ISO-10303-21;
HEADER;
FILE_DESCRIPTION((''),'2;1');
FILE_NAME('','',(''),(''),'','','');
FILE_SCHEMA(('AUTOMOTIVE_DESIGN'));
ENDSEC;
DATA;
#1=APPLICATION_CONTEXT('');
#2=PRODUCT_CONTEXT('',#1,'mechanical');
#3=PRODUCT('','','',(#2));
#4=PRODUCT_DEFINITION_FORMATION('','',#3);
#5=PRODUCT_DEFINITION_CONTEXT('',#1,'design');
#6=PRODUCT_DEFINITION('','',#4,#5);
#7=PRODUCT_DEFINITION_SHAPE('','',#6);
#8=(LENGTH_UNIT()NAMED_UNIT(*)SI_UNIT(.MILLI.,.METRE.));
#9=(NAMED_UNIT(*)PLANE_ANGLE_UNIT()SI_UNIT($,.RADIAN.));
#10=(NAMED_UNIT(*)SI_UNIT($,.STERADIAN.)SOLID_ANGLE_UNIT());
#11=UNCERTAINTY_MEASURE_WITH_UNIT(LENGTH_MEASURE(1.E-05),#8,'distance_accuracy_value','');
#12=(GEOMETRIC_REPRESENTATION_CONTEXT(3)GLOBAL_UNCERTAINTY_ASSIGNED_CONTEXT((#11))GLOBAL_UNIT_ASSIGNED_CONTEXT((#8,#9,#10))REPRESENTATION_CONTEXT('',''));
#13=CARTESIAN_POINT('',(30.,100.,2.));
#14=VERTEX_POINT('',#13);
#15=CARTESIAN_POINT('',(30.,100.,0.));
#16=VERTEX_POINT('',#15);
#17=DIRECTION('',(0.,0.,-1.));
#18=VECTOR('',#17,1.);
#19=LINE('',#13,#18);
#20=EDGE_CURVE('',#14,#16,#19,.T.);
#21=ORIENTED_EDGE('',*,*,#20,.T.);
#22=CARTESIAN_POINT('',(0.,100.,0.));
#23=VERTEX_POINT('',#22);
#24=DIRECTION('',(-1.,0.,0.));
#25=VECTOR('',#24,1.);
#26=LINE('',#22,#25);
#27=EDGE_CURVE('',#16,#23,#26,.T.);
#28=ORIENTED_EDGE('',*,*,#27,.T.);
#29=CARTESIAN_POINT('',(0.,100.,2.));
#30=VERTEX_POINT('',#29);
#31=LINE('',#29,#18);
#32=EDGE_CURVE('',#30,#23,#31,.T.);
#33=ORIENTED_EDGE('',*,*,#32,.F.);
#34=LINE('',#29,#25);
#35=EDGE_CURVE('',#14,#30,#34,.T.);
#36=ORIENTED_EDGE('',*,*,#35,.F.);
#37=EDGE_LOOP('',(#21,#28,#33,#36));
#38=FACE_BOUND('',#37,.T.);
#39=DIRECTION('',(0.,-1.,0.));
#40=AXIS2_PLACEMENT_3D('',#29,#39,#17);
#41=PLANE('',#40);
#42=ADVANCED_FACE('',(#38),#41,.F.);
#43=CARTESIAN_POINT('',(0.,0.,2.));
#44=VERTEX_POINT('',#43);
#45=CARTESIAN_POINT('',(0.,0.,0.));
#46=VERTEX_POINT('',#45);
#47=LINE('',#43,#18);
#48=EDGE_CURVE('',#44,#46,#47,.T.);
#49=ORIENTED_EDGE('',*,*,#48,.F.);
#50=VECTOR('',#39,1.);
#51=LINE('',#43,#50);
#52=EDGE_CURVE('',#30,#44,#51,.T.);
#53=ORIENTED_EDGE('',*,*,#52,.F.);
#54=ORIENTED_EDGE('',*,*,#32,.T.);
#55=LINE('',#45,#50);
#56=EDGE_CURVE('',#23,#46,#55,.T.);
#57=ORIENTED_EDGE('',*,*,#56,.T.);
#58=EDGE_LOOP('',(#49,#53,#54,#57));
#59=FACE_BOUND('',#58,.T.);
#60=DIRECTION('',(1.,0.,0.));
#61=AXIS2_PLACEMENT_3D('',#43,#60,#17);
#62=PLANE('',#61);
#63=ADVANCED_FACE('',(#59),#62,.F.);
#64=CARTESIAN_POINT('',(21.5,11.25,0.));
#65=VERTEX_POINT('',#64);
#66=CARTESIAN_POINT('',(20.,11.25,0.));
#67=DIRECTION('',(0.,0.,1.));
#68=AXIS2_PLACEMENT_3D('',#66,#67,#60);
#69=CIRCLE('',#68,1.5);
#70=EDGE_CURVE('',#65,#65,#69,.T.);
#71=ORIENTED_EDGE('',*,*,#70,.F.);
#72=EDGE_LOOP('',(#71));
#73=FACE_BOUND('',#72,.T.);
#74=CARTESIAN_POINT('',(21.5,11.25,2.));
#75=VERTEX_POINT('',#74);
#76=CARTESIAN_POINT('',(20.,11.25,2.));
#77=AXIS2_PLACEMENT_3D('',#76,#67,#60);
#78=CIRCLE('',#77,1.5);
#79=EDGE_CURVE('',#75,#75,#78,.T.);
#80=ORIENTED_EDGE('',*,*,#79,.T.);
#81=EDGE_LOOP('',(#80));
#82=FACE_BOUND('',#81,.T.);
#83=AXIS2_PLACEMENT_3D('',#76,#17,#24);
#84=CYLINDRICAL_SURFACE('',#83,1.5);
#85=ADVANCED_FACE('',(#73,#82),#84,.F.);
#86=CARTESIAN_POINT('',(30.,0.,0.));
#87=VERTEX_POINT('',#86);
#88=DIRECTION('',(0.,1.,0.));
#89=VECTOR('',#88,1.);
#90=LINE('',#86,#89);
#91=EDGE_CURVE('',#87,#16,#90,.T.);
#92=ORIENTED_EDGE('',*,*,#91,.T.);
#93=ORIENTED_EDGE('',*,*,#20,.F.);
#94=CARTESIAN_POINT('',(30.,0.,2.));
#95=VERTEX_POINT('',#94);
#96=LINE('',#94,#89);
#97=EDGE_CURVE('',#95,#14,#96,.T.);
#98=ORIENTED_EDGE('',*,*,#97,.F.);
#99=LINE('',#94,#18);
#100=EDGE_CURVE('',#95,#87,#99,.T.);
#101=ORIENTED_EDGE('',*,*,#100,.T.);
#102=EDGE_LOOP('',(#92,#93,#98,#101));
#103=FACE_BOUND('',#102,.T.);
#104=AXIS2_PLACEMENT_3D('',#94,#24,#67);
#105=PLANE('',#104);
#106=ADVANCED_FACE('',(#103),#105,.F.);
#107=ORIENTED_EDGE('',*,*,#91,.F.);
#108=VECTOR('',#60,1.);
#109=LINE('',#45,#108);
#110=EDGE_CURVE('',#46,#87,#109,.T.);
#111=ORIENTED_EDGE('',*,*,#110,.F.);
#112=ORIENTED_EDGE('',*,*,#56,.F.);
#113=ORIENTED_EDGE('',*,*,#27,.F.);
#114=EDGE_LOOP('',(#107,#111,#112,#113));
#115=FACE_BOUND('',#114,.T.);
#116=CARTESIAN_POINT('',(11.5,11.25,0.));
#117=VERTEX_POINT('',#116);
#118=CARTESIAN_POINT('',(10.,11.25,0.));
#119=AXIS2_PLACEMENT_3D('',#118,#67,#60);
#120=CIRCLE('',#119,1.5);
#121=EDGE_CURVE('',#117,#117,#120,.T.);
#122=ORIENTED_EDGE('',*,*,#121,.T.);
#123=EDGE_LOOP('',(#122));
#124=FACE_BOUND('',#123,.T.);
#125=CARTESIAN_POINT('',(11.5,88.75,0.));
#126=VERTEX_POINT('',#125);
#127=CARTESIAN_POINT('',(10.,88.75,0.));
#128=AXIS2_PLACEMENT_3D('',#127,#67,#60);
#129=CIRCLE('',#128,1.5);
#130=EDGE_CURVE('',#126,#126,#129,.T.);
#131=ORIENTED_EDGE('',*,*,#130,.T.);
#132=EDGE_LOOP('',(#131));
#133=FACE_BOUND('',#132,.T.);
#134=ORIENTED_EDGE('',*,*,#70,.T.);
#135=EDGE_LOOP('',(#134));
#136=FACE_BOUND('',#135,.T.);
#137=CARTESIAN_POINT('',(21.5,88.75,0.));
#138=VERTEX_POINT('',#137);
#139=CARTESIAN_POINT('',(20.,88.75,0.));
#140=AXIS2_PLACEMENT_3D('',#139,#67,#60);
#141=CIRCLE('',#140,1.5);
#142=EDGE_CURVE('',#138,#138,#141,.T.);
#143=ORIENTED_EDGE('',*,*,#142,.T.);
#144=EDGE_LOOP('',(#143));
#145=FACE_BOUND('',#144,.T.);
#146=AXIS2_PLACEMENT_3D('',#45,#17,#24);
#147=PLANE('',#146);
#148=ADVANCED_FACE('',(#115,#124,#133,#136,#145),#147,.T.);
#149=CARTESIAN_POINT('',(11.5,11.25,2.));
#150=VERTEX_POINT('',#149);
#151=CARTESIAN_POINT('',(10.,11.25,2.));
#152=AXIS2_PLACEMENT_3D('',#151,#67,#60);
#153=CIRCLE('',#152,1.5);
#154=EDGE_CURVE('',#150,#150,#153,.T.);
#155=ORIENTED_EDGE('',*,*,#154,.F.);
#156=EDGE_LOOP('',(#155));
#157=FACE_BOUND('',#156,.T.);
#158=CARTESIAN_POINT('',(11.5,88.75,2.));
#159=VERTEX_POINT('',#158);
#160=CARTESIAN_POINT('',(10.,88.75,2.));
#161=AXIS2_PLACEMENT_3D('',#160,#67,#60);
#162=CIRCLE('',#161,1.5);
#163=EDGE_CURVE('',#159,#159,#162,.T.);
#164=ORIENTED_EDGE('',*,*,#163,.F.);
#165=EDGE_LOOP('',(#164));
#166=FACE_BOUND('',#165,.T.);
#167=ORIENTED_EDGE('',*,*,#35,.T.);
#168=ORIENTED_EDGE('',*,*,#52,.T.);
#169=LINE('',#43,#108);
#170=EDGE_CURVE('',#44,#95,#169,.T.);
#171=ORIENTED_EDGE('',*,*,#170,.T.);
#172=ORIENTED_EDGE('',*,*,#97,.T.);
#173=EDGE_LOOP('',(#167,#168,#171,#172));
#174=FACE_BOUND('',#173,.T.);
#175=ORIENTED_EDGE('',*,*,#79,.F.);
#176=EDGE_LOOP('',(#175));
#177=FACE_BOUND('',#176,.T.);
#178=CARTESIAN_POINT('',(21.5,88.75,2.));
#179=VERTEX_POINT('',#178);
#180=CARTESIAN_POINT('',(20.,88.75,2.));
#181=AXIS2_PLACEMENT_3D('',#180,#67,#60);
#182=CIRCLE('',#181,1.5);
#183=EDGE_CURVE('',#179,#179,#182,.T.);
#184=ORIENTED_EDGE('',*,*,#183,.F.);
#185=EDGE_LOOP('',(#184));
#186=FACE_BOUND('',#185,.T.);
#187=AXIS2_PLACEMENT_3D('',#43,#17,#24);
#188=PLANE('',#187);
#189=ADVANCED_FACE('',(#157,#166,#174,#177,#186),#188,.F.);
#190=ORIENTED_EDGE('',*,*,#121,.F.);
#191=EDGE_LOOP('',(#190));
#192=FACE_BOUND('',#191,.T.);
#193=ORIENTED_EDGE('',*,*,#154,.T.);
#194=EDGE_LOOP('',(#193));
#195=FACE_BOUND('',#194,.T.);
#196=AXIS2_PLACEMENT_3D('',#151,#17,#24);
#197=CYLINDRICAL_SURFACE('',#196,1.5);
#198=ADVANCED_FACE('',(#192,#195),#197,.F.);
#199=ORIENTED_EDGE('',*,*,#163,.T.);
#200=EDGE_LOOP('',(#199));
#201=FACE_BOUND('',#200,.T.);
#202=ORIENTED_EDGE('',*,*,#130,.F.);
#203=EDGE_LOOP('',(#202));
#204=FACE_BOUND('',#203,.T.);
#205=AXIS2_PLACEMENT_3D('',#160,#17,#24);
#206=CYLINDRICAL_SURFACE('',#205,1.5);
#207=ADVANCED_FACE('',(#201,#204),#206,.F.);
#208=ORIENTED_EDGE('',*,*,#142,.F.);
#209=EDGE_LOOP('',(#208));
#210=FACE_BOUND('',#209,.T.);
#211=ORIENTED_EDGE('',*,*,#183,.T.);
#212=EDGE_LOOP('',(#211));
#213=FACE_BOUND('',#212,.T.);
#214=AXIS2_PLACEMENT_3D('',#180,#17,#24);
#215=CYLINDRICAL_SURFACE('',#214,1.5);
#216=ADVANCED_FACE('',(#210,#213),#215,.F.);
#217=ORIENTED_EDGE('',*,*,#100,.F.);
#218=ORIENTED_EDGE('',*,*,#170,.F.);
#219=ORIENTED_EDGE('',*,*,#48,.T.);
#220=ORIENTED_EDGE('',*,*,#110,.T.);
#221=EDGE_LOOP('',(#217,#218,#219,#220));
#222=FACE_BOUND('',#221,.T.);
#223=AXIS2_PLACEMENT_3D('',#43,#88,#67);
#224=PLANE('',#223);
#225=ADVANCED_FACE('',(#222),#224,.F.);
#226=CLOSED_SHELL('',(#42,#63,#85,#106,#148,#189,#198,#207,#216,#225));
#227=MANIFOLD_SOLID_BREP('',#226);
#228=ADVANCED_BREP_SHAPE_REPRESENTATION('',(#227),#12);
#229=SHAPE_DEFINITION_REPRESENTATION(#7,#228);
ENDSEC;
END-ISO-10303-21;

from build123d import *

# Parameters (mm, degrees)
SKETCH_1_W      = 30
SKETCH_1_H      = 100
SKETCH_1_R      = 1.5
EXTRUDE_1_DEPTH = 2


with BuildPart() as part:
    # Эскиз1 → Бобышка-Вытянуть1 (new body)
    with BuildSketch(Plane.XY):
        with Locations((15, 50)):
            Rectangle(SKETCH_1_W, SKETCH_1_H)
        with Locations((10, 11.25)):
            Circle(SKETCH_1_R, mode=Mode.SUBTRACT)
        with Locations((20, 11.25)):
            Circle(SKETCH_1_R, mode=Mode.SUBTRACT)
        with Locations((20, 88.75)):
            Circle(SKETCH_1_R, mode=Mode.SUBTRACT)
        with Locations((10, 88.75)):
            Circle(SKETCH_1_R, mode=Mode.SUBTRACT)
    extrude(amount=EXTRUDE_1_DEPTH)


solid = part.part
